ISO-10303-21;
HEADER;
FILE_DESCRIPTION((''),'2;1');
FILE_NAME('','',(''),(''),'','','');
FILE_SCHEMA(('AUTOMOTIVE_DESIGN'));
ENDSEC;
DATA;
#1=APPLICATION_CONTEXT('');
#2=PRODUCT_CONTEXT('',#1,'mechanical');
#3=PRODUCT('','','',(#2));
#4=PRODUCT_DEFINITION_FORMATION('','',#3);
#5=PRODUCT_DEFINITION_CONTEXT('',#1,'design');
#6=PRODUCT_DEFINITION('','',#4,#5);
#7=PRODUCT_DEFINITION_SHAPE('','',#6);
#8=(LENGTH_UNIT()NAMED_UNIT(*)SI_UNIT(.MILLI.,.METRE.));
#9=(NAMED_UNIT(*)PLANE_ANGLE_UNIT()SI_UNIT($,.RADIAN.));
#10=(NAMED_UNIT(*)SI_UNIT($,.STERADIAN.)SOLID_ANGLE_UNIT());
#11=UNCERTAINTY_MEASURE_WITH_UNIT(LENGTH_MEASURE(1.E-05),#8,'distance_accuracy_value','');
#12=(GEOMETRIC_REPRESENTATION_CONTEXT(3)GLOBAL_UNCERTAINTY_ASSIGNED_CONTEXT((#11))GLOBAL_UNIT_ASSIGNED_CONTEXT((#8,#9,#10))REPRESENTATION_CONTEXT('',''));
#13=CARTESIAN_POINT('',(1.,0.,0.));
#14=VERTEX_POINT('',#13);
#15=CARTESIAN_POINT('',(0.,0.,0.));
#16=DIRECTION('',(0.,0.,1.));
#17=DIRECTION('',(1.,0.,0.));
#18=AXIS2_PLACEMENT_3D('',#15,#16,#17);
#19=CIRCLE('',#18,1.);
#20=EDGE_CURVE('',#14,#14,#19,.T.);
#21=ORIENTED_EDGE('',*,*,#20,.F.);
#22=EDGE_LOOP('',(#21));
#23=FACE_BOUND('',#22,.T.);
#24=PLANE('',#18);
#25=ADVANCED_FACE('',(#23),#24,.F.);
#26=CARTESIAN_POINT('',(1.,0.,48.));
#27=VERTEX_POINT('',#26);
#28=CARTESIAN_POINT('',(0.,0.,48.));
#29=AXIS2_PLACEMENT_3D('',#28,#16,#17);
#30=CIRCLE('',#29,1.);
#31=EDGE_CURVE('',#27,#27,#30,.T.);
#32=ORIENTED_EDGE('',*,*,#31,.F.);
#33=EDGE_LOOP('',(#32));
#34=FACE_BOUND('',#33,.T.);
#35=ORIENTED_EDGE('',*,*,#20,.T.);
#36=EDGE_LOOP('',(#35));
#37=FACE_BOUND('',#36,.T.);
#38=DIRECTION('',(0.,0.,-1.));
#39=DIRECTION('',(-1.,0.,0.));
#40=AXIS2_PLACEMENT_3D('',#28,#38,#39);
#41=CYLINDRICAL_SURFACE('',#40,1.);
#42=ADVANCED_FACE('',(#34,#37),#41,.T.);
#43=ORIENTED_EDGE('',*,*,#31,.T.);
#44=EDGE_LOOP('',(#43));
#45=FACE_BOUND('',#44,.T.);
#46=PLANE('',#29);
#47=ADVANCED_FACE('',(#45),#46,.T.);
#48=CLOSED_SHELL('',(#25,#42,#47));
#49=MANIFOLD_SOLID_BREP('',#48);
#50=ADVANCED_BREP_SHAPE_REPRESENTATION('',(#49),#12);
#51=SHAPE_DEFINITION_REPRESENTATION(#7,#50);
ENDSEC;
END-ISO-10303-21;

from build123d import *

# Parameters (mm, degrees)
SKETCH1_R           = 1
BOSS_EXTRUDE1_DEPTH = 48


with BuildPart() as part:
    # Sketch1 → Boss-Extrude1 (new body)
    with BuildSketch(Plane.XY):
        Circle(SKETCH1_R)
    extrude(amount=BOSS_EXTRUDE1_DEPTH)


solid = part.part
